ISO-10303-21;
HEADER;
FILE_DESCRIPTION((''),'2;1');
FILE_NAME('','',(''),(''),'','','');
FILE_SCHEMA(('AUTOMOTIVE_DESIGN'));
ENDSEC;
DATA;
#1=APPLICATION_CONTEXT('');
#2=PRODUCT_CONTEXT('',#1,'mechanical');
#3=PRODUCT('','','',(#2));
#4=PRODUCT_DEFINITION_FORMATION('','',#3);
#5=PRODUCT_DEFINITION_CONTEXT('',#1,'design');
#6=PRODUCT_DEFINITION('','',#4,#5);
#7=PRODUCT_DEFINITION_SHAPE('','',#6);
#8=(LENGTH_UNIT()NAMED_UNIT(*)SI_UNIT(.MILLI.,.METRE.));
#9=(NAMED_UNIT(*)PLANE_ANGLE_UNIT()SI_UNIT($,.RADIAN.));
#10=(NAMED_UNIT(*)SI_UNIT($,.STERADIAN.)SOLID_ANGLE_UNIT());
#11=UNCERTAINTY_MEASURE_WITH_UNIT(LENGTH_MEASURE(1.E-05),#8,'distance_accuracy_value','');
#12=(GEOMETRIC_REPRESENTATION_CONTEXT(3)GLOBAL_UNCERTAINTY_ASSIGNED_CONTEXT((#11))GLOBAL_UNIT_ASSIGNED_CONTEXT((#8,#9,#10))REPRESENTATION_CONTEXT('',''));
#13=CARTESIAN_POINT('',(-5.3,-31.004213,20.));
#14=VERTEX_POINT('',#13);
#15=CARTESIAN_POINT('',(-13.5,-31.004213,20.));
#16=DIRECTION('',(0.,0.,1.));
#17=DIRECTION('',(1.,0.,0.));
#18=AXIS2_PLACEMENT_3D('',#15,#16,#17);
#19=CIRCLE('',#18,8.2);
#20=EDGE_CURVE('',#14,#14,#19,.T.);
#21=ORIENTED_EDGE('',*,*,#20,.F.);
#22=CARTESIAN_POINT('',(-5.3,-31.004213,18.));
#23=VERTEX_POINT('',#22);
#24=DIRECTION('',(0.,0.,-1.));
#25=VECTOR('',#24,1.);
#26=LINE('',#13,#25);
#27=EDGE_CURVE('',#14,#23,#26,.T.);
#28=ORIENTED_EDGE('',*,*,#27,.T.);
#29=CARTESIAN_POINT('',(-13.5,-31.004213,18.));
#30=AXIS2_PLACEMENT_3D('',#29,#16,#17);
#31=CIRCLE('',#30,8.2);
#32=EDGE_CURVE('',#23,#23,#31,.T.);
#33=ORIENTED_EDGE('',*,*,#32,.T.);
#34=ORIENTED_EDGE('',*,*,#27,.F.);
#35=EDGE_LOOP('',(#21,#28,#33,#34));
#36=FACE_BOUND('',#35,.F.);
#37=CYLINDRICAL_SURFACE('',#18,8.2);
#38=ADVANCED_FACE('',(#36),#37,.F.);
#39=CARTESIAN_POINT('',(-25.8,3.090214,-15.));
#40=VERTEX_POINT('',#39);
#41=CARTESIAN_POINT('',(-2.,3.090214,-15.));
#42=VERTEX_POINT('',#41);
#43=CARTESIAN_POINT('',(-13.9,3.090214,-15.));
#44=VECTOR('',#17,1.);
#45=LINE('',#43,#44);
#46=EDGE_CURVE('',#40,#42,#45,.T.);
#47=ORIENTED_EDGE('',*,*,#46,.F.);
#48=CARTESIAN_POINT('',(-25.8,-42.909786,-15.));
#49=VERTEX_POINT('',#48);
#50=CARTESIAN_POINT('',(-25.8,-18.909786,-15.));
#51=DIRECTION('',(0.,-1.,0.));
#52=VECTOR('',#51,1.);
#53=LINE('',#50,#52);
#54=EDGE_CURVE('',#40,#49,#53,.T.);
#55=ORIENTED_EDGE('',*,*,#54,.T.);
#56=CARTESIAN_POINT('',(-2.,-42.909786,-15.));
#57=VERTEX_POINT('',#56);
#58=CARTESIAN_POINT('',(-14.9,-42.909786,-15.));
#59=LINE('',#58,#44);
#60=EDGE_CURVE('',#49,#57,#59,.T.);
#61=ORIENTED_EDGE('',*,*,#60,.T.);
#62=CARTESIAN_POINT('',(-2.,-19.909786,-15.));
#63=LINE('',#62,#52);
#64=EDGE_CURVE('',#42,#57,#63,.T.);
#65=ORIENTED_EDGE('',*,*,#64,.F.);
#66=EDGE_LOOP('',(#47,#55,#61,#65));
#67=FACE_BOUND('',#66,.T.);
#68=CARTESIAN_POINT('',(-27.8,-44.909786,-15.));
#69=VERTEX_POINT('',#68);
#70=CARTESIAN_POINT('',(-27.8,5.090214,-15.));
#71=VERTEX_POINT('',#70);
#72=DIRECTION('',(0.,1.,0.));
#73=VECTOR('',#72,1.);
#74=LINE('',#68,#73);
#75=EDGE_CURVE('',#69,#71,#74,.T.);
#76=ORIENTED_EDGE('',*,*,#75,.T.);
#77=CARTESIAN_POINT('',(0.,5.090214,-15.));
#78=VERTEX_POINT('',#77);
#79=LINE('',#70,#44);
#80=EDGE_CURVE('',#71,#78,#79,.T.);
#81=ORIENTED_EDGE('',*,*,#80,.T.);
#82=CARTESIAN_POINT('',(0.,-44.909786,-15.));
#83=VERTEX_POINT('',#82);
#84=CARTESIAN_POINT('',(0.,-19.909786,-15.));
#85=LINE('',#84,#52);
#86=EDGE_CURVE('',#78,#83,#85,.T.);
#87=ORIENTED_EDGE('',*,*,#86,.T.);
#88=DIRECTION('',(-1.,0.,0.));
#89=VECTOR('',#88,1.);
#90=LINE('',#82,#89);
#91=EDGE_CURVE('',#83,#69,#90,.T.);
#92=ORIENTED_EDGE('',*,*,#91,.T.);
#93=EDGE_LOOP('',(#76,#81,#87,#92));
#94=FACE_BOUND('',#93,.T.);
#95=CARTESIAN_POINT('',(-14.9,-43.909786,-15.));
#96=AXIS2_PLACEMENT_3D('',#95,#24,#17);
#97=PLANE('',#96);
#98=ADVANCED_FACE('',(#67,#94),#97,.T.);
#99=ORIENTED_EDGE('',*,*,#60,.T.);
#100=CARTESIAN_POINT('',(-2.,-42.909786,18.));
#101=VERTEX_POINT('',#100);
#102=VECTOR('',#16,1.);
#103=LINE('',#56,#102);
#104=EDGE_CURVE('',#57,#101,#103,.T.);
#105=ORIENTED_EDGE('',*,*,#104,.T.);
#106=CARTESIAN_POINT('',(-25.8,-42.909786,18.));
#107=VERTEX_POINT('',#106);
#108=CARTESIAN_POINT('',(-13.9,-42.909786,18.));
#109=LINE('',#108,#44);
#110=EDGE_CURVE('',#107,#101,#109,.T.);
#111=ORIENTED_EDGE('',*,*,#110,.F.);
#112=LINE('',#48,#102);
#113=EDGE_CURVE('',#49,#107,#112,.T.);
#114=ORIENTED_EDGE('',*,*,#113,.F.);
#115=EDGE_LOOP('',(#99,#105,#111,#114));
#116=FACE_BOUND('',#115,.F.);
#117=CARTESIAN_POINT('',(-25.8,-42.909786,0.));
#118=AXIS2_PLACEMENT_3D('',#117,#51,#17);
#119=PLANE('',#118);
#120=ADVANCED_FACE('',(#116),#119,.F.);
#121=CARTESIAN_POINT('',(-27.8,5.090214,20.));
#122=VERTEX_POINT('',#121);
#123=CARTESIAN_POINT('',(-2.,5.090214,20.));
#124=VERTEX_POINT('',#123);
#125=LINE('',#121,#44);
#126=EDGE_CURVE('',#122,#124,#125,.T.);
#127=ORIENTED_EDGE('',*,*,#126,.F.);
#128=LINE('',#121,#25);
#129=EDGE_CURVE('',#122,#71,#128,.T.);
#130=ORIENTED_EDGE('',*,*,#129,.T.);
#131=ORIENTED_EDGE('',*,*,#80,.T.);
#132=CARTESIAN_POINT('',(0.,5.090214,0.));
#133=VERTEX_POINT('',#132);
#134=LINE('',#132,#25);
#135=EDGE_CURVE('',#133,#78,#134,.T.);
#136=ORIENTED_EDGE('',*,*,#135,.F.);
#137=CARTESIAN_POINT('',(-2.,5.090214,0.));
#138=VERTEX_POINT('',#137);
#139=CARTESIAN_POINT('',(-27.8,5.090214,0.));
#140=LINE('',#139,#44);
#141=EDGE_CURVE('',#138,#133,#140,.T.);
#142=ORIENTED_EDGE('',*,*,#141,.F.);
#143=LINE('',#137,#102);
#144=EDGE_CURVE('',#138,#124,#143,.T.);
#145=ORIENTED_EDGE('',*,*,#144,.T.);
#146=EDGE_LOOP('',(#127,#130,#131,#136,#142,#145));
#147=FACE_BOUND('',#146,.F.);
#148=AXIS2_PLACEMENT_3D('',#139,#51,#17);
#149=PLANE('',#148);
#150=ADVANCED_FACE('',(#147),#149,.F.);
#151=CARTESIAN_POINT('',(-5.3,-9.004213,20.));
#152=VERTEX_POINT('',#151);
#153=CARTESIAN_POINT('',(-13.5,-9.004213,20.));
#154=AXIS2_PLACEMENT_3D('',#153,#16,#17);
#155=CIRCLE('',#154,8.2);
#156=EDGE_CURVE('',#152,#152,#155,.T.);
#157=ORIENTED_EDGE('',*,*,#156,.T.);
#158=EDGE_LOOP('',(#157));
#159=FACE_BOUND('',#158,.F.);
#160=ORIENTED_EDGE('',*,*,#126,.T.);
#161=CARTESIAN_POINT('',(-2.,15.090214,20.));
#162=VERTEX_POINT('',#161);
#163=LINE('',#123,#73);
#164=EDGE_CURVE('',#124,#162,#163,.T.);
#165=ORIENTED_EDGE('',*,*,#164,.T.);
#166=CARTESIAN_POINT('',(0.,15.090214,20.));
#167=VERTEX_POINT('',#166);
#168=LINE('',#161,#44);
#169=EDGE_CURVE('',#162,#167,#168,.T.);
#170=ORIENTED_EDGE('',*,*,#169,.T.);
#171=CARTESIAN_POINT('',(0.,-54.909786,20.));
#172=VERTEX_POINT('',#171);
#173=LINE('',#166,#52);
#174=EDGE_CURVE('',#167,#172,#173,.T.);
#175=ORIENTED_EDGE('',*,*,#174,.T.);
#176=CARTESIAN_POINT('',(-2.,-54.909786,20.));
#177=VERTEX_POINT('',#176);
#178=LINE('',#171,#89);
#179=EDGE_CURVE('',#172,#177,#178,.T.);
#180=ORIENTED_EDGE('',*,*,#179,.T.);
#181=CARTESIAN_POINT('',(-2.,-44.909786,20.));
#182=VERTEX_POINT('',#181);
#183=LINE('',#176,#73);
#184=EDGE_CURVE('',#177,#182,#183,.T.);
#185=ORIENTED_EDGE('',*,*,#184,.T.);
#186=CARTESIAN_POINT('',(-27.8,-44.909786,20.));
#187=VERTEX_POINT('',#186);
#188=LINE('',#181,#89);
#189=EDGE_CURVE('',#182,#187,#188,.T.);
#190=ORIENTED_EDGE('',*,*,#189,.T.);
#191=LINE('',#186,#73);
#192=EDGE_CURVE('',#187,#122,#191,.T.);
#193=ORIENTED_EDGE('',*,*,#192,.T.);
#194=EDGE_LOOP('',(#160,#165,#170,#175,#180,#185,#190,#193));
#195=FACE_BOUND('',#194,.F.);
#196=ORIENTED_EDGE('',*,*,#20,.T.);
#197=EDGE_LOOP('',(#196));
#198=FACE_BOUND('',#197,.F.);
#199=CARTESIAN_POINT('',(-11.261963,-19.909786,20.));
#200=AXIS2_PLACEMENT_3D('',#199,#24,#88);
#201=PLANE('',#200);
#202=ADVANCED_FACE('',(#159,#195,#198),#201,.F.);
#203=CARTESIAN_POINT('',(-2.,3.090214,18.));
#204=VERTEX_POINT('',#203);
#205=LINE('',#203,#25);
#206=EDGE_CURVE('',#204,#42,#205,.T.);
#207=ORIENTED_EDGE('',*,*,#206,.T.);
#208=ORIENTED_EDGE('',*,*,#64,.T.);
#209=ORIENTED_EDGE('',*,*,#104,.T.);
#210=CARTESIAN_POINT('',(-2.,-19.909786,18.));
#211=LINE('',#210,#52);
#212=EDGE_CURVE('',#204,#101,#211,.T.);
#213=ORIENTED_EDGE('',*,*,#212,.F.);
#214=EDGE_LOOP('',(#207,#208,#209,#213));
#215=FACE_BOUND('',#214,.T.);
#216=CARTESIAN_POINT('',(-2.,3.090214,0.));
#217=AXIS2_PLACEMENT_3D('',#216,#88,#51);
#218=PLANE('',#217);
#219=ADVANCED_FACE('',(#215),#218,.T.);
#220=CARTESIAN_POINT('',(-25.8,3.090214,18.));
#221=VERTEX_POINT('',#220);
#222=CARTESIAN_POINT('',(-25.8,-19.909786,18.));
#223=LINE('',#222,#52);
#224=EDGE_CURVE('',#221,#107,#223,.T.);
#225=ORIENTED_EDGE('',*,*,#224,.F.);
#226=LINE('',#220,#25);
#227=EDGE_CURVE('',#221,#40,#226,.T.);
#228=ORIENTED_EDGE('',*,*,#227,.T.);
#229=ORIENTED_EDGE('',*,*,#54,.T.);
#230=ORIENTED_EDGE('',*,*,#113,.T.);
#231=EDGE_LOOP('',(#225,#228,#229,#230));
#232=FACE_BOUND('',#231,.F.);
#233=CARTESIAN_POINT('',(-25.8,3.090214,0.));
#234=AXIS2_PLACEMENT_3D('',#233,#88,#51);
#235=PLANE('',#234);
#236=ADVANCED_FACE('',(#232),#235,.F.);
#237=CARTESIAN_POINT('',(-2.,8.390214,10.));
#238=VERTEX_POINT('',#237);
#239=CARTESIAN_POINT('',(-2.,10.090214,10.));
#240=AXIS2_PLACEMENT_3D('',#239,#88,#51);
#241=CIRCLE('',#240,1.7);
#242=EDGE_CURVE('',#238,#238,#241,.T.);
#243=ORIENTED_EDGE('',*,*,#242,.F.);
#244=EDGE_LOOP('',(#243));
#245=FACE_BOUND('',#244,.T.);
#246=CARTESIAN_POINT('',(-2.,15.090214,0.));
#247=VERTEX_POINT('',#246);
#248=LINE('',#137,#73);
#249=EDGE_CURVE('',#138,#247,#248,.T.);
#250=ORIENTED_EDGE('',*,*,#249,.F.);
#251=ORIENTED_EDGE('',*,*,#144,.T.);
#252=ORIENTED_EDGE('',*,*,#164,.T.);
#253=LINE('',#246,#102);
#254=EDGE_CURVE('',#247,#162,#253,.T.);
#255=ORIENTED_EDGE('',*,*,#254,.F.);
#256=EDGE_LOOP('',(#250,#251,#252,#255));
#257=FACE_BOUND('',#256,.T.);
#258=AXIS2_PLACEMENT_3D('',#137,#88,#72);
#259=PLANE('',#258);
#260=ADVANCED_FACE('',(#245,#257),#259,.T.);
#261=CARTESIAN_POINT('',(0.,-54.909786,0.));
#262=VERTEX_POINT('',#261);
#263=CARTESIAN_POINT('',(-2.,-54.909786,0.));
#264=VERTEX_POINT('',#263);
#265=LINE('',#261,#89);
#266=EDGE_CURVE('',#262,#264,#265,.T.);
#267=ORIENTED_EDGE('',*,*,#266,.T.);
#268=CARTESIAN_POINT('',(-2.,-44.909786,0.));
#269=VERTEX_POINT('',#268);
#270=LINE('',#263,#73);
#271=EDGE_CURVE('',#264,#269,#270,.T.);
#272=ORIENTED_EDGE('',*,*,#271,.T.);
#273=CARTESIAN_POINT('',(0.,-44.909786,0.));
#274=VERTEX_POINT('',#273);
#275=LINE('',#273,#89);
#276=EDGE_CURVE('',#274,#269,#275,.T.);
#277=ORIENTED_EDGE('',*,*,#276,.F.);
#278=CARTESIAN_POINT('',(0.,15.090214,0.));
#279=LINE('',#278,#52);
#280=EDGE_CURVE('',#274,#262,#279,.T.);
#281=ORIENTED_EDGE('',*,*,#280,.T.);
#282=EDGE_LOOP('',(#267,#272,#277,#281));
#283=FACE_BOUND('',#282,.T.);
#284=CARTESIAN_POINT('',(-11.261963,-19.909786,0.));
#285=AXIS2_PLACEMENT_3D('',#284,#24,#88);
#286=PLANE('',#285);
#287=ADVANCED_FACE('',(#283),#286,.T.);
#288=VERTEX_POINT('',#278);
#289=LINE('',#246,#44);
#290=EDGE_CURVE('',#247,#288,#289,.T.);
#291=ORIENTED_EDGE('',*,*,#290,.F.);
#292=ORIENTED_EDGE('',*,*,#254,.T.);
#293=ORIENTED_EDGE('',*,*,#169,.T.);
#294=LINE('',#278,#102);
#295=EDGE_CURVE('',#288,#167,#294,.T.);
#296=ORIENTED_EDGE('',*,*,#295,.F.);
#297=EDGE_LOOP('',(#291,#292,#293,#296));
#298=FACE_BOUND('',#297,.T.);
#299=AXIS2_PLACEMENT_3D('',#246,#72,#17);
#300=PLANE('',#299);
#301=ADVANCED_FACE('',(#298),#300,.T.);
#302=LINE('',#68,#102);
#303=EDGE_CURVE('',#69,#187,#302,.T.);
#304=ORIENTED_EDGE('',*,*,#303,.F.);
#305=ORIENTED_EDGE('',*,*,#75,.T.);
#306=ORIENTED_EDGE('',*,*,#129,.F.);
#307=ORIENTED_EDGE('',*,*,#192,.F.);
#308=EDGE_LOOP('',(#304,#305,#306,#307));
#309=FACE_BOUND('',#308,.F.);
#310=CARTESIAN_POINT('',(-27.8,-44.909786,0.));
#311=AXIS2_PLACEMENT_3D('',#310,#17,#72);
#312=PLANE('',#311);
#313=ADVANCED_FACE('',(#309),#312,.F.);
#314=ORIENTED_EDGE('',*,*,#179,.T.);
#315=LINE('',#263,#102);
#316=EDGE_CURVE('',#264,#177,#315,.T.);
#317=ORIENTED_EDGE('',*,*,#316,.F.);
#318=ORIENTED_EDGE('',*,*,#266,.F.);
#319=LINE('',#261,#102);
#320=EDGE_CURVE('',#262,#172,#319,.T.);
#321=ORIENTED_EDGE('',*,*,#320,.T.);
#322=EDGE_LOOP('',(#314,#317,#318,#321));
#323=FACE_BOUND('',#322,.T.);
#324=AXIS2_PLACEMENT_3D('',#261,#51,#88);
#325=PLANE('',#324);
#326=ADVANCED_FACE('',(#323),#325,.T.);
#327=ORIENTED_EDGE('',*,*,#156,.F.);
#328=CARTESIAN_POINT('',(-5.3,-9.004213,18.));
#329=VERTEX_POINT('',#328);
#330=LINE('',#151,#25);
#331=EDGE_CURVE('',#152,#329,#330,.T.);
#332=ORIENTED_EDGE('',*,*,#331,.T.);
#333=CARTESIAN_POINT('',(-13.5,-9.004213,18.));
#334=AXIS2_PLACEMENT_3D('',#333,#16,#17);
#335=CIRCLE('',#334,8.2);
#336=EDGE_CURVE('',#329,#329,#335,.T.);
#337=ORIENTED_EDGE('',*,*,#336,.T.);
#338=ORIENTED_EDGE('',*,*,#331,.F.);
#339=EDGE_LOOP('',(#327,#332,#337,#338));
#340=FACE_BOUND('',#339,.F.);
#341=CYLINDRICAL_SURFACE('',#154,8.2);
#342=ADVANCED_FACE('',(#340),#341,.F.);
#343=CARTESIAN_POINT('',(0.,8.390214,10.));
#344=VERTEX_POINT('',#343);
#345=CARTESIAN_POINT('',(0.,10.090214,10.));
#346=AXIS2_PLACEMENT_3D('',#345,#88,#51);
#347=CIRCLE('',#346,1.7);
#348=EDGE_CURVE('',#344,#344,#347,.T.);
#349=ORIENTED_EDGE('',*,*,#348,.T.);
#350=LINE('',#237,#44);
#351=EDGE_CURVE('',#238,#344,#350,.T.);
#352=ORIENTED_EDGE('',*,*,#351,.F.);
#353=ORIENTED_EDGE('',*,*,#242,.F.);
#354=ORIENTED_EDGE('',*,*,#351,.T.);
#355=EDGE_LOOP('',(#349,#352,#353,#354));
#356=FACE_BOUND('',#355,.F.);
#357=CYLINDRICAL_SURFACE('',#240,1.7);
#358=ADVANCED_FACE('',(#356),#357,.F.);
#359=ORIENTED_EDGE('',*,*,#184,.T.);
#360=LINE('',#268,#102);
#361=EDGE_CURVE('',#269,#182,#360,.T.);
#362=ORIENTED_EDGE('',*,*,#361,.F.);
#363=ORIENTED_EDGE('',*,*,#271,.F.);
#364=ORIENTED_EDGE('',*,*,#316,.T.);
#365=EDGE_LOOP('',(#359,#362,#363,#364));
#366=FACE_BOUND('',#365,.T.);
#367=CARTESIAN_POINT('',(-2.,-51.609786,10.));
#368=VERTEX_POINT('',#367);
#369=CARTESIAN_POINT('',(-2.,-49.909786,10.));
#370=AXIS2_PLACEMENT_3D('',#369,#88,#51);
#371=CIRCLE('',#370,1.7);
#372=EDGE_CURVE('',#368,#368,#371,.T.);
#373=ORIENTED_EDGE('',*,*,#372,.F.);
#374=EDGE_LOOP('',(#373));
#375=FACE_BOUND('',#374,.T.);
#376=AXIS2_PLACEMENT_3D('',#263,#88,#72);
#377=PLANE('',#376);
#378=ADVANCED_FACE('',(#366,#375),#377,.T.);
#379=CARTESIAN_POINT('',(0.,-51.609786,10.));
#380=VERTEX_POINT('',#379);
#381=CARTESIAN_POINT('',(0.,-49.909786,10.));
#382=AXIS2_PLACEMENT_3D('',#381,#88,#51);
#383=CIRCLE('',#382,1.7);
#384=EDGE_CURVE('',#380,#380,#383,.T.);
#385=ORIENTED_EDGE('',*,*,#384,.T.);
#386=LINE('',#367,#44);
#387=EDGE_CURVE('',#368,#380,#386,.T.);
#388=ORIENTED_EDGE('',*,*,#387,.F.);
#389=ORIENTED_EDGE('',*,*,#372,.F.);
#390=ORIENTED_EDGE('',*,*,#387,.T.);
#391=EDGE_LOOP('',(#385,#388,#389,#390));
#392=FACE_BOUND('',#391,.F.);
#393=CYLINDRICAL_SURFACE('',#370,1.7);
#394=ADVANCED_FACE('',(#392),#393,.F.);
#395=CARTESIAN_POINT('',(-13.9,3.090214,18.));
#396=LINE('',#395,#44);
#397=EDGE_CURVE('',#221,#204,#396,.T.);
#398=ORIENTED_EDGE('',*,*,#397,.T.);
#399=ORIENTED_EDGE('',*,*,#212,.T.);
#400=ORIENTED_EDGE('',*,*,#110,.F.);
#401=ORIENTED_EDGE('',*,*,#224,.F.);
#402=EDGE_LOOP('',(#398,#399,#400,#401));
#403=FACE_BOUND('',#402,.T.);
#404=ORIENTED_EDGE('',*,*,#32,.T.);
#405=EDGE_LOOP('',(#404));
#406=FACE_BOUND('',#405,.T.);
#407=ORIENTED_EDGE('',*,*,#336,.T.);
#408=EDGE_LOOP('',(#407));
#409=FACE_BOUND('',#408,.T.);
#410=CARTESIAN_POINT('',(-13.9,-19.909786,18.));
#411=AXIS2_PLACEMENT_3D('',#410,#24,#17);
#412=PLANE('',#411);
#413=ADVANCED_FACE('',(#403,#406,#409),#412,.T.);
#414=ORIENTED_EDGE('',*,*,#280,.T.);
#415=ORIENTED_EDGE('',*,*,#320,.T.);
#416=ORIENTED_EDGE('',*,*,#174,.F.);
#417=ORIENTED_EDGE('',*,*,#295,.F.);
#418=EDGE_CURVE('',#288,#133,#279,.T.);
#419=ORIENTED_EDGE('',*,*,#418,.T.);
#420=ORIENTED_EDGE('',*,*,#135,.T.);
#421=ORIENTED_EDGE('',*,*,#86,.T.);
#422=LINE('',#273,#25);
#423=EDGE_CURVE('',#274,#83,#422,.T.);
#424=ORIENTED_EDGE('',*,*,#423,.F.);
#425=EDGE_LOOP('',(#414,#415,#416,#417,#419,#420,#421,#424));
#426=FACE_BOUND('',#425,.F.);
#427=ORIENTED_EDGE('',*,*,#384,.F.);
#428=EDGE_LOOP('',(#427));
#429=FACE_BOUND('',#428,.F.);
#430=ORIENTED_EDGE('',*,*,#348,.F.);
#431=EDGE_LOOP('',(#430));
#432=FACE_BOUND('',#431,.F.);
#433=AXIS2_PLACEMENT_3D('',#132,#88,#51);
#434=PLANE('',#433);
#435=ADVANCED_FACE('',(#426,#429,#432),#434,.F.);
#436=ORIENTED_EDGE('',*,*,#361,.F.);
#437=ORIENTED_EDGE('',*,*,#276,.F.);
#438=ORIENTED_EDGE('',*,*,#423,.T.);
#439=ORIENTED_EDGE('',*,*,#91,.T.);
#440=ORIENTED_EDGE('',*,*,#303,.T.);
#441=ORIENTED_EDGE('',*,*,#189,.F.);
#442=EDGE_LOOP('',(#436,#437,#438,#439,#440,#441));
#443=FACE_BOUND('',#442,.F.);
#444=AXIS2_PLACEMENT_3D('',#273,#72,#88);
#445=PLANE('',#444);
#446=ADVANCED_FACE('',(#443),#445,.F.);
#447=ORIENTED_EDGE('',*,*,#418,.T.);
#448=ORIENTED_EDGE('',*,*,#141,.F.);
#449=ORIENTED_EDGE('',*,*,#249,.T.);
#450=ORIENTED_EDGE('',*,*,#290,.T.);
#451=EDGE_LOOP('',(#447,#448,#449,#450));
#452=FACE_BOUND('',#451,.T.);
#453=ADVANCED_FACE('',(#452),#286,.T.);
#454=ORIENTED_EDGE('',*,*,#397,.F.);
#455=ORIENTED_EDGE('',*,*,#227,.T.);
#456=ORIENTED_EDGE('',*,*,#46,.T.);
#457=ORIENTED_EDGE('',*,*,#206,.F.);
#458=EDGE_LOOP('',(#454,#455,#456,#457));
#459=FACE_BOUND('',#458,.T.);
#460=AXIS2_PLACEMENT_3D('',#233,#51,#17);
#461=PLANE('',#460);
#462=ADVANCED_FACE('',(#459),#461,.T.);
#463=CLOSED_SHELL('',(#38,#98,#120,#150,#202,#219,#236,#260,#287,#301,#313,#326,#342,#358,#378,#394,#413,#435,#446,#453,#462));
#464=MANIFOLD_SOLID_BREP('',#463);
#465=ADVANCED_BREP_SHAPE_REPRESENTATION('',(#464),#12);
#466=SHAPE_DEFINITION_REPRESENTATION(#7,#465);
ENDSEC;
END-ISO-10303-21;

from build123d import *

# Parameters (mm, degrees)
PAD_DEPTH       = 20
SKETCH001_W     = 23.8
SKETCH001_H     = 46
POCKET_DEPTH    = 18
SKETCH002_R     = 8.2
POCKET001_DEPTH = 5
SKETCH003_R     = 1.7
POCKET002_DEPTH = 5
SKETCH004_R     = 1.7
POCKET003_DEPTH = 5
SKETCH005_W     = 25.8
SKETCH005_H     = 2
SKETCH005_W_2   = 2
SKETCH005_H_2   = 48
SKETCH005_W_3   = 23.8
SKETCH005_H_3   = 50
PAD001_DEPTH    = 15
SKETCH006_W     = 23.8
SKETCH006_H     = 46
POCKET004_DEPTH = 15


with BuildPart() as part:
    # Sketch → Pad (new body)
    with BuildSketch(Plane.XY):
        Polygon((-2, 15.090214), (0, 15.090214), (0, -54.909786), (-2, -54.909786), (-2, -44.909786), (-27.8, -44.909786), (-27.8, 5.090214), (-2, 5.090214), align=None)
    extrude(amount=PAD_DEPTH)

    # Sketch001 (on Face9 of Pad) → Pocket (cut)
    with BuildSketch(Plane(origin=(0, 0, 0), x_dir=(1, 0, 0), z_dir=(0, 0, -1))):
        with Locations((-13.9, 19.909786)):
            Rectangle(SKETCH001_W, SKETCH001_H)
    extrude(amount=-POCKET_DEPTH, mode=Mode.SUBTRACT)

    # Sketch002 (on Face5 of Pocket) → Pocket001 (cut)
    with BuildSketch(Plane.XY.offset(20)):
        with Locations((-13.5, -9.004213)):
            Circle(SKETCH002_R)
        with Locations((-13.5, -31.004213)):
            Circle(SKETCH002_R)
    extrude(amount=-POCKET001_DEPTH, mode=Mode.SUBTRACT)

    # Sketch003 (on Face9 of Pocket001) → Pocket002 (cut)
    with BuildSketch(Plane(origin=(-2, 0, 0), x_dir=(0, -1, 0), z_dir=(-1, 0, 0))):
        with Locations((49.909786, 10)):
            Circle(SKETCH003_R)
    extrude(amount=-POCKET002_DEPTH, mode=Mode.SUBTRACT)

    # Sketch004 (on Face2 of Pocket002) → Pocket003 (cut)
    with BuildSketch(Plane(origin=(-2, 0, 0), x_dir=(0, -1, 0), z_dir=(-1, 0, 0))):
        with Locations((-10.090214, 10)):
            Circle(SKETCH004_R)
    extrude(amount=-POCKET003_DEPTH, mode=Mode.SUBTRACT)

    # Sketch005 (on Face4 of Pocket003) → Pad001 (join)
    with BuildSketch(Plane(origin=(0, 0, 0), x_dir=(1, 0, 0), z_dir=(0, 0, -1))):
        with Locations((-14.9, 43.909786)):
            Rectangle(SKETCH005_W, SKETCH005_H)
        with Locations((-26.8, 18.909786)):
            Rectangle(SKETCH005_W_2, SKETCH005_H_2)
        with Locations((-13.9, -4.090214)):
            Rectangle(SKETCH005_W_3, SKETCH005_H)
        with Locations((-1, 19.909786)):
            Rectangle(SKETCH005_W_2, SKETCH005_H_3)
    extrude(amount=PAD001_DEPTH)

    # Sketch006 (on Face21 of Pad001) → Pocket004 (cut)
    with BuildSketch(Plane(origin=(0, 0, -15), x_dir=(1, 0, 0), z_dir=(0, 0, -1))):
        with Locations((-13.9, 19.909786)):
            Rectangle(SKETCH006_W, SKETCH006_H)
    extrude(amount=-POCKET004_DEPTH, mode=Mode.SUBTRACT)


solid = part.part
